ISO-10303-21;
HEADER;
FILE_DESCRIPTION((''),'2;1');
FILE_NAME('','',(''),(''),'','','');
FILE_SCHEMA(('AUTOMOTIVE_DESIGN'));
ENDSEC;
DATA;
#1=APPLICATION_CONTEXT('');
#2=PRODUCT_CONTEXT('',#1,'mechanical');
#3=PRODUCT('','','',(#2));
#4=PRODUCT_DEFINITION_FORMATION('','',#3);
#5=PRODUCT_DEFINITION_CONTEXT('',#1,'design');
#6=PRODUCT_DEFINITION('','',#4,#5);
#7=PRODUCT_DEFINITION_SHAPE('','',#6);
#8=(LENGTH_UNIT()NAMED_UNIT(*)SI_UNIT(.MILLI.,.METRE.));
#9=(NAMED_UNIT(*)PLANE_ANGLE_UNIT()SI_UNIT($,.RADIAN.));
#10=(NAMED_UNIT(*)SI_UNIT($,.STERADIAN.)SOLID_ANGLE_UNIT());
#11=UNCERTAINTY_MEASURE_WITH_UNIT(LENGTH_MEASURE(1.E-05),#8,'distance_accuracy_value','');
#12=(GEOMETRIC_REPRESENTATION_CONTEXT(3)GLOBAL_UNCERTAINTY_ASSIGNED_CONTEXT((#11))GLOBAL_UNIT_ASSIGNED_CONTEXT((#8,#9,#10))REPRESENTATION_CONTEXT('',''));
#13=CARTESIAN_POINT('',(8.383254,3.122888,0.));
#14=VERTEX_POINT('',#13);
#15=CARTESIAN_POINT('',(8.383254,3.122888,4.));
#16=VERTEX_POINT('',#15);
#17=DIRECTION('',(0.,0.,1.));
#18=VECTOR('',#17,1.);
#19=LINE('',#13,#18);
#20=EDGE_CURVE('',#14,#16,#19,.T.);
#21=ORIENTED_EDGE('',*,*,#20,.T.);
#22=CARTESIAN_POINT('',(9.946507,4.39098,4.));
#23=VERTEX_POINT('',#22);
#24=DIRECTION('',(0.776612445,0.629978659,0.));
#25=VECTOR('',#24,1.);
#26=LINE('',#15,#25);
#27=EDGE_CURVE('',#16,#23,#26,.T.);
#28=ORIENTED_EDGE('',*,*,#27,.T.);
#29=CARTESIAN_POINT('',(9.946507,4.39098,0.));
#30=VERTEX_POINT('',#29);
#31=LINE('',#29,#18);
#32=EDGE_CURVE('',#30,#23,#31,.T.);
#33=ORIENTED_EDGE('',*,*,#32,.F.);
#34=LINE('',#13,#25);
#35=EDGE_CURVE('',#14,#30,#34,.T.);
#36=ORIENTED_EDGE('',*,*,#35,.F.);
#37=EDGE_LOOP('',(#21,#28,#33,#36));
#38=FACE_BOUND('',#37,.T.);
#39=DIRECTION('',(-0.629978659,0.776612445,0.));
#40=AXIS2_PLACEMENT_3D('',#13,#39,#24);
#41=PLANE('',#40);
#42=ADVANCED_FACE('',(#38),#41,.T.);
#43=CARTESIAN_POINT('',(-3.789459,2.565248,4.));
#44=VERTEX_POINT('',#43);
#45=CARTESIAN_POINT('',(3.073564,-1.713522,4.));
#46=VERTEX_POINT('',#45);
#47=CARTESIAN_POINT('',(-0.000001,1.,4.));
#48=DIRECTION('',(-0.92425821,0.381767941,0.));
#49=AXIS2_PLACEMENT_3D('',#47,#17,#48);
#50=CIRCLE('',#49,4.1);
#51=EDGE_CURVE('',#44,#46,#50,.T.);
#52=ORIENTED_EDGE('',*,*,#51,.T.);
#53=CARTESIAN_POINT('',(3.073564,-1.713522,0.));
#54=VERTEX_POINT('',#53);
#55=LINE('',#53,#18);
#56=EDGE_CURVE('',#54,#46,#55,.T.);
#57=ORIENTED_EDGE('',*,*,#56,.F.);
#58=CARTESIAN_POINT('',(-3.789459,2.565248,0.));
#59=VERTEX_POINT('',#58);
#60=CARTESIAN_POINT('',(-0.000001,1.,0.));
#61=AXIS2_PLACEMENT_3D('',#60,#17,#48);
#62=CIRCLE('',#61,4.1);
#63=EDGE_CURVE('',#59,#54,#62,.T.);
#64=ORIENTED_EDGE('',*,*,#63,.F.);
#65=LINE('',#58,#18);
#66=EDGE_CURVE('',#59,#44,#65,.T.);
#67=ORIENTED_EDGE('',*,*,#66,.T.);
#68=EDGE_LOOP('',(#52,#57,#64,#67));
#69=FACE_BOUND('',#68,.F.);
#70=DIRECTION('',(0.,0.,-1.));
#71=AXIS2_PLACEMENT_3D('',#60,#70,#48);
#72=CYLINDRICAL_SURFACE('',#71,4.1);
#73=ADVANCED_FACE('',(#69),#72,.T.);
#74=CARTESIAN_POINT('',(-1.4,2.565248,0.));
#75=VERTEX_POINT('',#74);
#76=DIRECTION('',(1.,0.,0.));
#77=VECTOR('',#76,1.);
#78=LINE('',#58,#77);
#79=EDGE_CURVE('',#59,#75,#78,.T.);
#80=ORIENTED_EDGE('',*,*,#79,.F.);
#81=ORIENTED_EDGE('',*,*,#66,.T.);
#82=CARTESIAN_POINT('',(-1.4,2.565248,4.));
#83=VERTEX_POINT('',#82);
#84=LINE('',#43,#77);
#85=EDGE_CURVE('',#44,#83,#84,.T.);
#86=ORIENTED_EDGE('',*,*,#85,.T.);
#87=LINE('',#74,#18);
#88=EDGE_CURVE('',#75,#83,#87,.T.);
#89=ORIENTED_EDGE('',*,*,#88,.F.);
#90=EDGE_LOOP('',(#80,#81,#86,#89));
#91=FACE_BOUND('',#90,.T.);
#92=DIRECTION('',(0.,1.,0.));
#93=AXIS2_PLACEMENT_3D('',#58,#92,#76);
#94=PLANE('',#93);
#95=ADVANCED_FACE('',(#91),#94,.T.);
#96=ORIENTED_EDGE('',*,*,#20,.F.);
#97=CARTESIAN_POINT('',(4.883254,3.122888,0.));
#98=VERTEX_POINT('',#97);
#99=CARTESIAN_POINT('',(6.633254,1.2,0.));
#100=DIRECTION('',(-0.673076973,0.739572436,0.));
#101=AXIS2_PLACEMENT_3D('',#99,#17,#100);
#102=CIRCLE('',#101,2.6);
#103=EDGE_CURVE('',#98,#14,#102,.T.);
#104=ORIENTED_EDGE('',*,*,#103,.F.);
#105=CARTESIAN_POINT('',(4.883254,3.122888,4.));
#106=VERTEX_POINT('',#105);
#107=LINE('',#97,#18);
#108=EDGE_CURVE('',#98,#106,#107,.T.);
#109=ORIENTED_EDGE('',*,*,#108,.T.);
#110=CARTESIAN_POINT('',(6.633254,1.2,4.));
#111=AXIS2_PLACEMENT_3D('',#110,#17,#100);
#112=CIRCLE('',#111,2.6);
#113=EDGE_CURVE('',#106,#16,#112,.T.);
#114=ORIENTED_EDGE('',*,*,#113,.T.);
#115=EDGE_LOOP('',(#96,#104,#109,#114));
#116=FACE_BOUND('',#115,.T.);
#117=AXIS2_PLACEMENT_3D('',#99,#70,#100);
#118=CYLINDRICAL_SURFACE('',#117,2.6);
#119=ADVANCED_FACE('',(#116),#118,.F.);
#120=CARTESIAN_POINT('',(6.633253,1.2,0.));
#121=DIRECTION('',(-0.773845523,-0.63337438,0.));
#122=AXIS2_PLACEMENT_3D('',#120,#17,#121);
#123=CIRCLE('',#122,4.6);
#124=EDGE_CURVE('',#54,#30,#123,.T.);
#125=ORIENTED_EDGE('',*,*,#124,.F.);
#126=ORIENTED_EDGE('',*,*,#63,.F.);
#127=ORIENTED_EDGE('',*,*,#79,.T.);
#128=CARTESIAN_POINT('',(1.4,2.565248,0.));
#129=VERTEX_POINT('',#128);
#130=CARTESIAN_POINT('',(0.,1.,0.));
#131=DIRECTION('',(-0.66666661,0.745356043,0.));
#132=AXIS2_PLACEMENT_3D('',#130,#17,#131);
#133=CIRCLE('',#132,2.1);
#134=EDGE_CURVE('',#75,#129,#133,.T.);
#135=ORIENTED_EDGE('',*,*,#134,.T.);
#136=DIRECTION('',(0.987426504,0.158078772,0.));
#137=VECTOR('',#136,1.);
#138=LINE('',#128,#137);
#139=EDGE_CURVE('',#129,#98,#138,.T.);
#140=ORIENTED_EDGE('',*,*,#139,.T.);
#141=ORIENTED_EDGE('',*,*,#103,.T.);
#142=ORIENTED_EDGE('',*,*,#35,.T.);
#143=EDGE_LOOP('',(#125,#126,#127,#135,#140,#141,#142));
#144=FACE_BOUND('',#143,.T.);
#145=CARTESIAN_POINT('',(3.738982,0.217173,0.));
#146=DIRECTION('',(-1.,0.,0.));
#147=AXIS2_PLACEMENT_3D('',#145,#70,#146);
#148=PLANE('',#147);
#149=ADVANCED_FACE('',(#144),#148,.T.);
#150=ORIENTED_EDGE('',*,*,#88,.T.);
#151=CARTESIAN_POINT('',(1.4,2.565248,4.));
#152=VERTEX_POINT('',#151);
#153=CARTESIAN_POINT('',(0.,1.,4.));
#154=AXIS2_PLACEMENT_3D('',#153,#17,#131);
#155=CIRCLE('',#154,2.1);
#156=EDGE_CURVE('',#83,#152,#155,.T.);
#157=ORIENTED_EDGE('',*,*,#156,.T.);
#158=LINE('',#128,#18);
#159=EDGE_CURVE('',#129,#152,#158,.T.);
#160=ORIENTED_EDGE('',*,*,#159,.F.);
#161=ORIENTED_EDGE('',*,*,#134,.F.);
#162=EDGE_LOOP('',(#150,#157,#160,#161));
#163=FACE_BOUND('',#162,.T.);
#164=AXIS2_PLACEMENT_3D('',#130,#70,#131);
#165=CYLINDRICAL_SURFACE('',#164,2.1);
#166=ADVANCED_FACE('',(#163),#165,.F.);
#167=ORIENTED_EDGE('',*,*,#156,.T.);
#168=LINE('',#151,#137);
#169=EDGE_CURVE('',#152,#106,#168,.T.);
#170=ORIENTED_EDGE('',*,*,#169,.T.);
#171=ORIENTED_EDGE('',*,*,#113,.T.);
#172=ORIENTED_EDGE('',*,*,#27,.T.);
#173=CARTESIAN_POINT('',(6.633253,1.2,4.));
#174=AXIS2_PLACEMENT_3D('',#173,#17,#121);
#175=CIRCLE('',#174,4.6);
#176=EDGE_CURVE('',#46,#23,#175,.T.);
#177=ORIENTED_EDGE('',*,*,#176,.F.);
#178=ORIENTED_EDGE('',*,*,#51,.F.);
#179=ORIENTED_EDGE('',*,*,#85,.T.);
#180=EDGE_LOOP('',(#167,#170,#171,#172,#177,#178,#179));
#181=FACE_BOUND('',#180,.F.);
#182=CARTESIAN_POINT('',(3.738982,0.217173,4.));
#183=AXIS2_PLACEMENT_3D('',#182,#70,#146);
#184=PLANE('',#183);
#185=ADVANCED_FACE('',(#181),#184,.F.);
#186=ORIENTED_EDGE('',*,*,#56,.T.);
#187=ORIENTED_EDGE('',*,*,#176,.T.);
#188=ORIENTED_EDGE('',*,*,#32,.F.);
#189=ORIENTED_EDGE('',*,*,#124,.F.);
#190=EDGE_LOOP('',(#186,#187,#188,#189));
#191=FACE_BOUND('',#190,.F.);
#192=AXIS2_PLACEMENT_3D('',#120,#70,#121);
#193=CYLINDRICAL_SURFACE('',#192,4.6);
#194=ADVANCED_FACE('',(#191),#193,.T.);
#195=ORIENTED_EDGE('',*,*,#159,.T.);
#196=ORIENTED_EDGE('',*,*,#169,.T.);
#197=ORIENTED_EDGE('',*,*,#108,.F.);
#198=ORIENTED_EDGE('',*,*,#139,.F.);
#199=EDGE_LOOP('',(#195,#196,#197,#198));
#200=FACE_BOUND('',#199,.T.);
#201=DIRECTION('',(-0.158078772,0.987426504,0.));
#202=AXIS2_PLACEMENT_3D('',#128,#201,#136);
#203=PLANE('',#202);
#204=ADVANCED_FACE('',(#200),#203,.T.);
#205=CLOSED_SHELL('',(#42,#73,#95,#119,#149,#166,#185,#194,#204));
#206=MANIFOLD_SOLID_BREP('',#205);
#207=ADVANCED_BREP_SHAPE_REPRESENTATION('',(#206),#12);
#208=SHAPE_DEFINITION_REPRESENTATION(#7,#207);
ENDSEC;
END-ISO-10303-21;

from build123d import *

# Parameters (mm, degrees)
PAD_DEPTH = 4


with BuildPart() as part:
    # Sketch → Pad (new body)
    with BuildSketch(Plane.XY):
        with BuildLine():
            ThreePointArc((-1.4, 2.565248), (0, -1.1), (1.4, 2.565248))
            Line((1.4, 2.565248), (4.883254, 3.122888))
            ThreePointArc((4.883254, 3.122888), (6.633254, -1.4), (8.383254, 3.122888))
            Line((8.383254, 3.122888), (9.946507, 4.39098))
            ThreePointArc((3.073564, -1.713522), (9.687991, -2.23927), (9.946507, 4.39098))
            ThreePointArc((-3.789459, 2.565248), (-2.169123, -2.479211), (3.073564, -1.713522))
            Line((-3.789459, 2.565248), (-1.4, 2.565248))
        make_face()
    extrude(amount=PAD_DEPTH)


solid = part.part
